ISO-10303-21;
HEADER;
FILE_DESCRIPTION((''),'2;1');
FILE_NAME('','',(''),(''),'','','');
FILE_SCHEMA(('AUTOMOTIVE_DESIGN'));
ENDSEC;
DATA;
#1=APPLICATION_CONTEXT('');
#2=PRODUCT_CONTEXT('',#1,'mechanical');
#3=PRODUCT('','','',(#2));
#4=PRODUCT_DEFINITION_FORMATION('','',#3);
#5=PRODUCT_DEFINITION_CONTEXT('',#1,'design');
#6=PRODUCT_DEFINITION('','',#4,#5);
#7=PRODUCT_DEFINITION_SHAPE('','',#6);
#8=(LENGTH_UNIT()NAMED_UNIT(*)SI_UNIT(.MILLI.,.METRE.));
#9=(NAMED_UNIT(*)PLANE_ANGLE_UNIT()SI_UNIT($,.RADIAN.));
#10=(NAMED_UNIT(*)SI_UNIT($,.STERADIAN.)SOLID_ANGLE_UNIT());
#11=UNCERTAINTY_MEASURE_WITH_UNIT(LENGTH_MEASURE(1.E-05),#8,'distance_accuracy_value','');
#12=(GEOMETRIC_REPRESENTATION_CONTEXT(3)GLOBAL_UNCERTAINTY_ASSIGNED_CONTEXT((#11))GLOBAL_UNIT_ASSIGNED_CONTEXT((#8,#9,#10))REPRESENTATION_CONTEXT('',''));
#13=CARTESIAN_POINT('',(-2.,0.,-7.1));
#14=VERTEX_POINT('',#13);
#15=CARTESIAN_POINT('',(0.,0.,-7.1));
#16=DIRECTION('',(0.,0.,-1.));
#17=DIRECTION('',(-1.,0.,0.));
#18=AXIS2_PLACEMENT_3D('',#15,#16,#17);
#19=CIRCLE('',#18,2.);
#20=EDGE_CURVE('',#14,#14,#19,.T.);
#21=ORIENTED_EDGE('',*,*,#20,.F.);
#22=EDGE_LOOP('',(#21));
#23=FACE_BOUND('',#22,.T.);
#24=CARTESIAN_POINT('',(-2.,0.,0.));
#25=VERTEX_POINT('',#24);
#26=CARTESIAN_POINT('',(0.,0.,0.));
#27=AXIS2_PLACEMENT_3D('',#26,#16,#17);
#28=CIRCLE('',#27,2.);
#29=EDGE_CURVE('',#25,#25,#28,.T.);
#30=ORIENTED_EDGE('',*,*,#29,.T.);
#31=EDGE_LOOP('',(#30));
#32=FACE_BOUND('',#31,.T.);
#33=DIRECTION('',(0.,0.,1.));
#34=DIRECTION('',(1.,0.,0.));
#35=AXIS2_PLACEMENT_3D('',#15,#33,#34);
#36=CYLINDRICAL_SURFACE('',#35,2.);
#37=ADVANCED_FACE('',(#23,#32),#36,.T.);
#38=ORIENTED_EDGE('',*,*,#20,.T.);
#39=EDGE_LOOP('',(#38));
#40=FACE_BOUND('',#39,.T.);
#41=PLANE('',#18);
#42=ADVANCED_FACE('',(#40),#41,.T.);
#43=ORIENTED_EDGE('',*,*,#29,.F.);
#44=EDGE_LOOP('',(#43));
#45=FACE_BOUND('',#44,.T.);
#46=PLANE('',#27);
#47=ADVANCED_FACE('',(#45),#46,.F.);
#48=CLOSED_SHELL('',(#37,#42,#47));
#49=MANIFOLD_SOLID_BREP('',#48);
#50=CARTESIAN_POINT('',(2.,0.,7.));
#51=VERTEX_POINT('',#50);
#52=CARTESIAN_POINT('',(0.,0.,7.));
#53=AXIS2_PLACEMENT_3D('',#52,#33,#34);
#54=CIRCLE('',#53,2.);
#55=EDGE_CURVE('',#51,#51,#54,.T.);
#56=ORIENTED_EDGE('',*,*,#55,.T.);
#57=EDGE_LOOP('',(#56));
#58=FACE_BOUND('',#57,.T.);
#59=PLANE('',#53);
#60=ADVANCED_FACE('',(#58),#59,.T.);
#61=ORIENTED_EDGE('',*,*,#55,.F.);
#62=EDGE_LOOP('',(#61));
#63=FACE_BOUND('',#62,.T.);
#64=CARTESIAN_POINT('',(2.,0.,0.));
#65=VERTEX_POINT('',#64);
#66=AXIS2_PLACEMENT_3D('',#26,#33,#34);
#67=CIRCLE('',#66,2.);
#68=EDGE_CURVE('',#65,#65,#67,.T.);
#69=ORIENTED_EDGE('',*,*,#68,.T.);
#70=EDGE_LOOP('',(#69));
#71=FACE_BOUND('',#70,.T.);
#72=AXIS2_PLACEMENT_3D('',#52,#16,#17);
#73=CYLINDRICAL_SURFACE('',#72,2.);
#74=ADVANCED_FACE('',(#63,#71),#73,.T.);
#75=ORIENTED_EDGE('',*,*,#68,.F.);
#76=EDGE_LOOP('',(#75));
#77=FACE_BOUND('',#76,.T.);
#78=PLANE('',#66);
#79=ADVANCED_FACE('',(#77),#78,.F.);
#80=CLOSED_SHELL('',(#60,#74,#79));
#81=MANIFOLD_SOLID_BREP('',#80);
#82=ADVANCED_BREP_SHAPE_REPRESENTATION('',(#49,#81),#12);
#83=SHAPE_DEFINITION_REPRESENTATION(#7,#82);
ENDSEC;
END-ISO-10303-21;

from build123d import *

# Parameters (mm, degrees)
SKETCH_1_R      = 2
EXTRUDE_1_DEPTH = 7
SKETCH_2_R      = 2
EXTRUDE_2_DEPTH = 7.1


with BuildPart() as part:
    # 草图1 → 凸台-拉伸1 (new body)
    with BuildSketch(Plane.XY):
        Circle(SKETCH_1_R)
    extrude(amount=EXTRUDE_1_DEPTH)


with BuildPart() as body_2:
    # 草图2 → 凸台-拉伸2 (new body)
    with BuildSketch(Plane(origin=(0, 0, 0), x_dir=(-1, 0, 0), z_dir=(0, 0, -1))):
        Circle(SKETCH_2_R)
    extrude(amount=EXTRUDE_2_DEPTH)


solid = Compound([part.part, body_2.part])
